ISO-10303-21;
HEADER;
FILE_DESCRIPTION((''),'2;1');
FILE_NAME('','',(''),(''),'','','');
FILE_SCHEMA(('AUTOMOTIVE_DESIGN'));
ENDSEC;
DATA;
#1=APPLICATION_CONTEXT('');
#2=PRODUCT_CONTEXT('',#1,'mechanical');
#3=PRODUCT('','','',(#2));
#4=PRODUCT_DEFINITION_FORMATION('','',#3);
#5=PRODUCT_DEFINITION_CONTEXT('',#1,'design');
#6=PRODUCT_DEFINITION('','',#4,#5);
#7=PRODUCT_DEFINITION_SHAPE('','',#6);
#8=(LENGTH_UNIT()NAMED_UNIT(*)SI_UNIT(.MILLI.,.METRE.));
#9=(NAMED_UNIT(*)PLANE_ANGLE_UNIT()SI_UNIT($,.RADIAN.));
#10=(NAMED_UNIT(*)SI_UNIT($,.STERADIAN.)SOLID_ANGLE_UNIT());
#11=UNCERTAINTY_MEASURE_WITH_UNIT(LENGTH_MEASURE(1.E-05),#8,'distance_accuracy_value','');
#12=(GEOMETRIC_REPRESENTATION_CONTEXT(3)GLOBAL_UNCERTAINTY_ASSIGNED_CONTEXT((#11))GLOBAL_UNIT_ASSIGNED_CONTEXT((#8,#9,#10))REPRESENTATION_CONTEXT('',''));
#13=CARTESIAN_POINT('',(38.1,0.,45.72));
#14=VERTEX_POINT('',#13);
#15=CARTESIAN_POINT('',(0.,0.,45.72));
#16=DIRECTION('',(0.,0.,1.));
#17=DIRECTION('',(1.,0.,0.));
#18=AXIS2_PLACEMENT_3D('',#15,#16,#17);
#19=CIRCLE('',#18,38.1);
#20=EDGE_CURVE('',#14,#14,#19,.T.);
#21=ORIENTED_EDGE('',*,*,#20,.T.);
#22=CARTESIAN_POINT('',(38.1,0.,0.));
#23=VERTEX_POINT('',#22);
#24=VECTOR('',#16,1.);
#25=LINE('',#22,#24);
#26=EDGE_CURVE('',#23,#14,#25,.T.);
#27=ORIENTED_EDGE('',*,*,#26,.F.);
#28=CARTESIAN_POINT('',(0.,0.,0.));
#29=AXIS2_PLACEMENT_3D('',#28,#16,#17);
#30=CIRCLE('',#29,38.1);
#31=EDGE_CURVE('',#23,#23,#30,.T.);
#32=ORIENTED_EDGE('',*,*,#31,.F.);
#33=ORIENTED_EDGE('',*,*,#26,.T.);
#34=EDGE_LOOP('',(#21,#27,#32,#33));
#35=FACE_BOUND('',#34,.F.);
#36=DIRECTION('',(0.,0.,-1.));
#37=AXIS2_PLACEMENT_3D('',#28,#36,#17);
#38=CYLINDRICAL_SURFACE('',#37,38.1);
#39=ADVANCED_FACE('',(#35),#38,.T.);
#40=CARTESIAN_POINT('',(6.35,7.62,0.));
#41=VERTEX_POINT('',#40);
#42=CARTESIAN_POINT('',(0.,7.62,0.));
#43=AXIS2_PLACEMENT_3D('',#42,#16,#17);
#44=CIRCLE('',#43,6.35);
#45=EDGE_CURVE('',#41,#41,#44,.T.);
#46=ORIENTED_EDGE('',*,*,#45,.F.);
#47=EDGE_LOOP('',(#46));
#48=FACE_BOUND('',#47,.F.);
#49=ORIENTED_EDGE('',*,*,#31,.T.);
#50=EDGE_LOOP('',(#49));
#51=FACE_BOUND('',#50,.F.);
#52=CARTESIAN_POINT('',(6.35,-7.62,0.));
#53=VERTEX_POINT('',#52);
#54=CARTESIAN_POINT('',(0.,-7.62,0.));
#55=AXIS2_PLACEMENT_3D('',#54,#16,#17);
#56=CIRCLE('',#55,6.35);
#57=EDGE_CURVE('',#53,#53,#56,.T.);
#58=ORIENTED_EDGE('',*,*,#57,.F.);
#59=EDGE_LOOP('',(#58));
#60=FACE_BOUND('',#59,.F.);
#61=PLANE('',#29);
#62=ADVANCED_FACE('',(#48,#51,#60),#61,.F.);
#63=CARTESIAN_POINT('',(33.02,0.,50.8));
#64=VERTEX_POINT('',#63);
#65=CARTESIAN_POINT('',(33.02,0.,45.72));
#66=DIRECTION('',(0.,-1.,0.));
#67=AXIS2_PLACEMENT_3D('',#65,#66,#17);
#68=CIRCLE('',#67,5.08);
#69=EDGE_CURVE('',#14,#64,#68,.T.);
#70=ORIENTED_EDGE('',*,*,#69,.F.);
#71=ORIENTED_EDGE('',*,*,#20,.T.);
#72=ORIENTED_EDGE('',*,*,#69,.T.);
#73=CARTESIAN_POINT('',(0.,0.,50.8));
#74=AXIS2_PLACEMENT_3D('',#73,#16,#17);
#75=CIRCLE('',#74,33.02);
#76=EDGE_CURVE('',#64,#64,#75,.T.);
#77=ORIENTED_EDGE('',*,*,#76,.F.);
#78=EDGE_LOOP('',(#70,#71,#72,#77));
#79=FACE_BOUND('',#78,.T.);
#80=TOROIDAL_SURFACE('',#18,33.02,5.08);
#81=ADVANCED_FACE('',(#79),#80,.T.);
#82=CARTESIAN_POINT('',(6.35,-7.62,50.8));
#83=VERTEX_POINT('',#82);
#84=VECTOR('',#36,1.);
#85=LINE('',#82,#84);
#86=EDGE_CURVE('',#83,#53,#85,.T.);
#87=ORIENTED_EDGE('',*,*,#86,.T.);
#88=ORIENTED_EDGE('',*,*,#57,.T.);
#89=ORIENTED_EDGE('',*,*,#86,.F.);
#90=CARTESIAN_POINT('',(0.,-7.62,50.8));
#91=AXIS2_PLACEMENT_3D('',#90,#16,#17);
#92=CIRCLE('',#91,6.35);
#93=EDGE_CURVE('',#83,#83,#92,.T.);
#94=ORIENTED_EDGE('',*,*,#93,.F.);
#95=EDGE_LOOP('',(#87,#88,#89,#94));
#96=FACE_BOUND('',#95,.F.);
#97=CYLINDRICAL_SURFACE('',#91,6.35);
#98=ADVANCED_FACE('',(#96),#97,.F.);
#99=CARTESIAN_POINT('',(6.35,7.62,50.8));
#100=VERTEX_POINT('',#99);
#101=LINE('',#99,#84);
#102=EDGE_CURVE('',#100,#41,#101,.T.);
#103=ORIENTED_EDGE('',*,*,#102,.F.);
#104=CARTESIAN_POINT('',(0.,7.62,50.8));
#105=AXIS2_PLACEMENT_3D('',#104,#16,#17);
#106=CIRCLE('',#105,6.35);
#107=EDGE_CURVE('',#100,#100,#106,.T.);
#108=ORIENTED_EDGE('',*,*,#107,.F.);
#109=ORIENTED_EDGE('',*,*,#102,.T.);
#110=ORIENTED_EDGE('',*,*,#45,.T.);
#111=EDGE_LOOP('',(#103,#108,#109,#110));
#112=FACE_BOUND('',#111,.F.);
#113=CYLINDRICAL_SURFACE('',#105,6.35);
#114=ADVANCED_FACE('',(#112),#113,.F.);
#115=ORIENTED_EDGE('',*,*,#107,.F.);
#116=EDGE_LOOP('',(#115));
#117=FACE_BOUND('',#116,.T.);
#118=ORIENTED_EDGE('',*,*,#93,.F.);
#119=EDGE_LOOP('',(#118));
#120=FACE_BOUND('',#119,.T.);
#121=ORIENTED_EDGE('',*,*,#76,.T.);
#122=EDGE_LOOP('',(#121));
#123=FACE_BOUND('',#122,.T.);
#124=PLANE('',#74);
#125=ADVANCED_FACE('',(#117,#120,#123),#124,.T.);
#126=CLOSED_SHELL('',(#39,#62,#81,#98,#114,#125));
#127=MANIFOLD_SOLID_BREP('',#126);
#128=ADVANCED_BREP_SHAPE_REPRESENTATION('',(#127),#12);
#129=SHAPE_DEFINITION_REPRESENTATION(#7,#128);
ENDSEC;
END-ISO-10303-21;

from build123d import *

# Parameters (mm, degrees)
F0_R     = 38.1
F1_DEPTH = 50.8
F2_R     = 6.35
F3_DEPTH = 70.612
F4_R     = 5.08


with BuildPart() as f1:
    # F0 (on Top) → F1 (new body)
    with BuildSketch(Plane.XY):
        Circle(F0_R)
    extrude(amount=F1_DEPTH)

    # F2 (on face) → F3 (cut)
    with BuildSketch(Plane.XY.offset(50.8)):
        with Locations((0, 7.62)):
            Circle(F2_R)
        with Locations((0, -7.62)):
            Circle(F2_R)
    extrude(amount=-F3_DEPTH, mode=Mode.SUBTRACT)

    # F4
    f4_edges = [f1.edges().sort_by_distance(p)[0] for p in [
        (-38.1, 0, 50.8),
    ]]
    fillet(f4_edges, radius=F4_R)


solid = f1.part
